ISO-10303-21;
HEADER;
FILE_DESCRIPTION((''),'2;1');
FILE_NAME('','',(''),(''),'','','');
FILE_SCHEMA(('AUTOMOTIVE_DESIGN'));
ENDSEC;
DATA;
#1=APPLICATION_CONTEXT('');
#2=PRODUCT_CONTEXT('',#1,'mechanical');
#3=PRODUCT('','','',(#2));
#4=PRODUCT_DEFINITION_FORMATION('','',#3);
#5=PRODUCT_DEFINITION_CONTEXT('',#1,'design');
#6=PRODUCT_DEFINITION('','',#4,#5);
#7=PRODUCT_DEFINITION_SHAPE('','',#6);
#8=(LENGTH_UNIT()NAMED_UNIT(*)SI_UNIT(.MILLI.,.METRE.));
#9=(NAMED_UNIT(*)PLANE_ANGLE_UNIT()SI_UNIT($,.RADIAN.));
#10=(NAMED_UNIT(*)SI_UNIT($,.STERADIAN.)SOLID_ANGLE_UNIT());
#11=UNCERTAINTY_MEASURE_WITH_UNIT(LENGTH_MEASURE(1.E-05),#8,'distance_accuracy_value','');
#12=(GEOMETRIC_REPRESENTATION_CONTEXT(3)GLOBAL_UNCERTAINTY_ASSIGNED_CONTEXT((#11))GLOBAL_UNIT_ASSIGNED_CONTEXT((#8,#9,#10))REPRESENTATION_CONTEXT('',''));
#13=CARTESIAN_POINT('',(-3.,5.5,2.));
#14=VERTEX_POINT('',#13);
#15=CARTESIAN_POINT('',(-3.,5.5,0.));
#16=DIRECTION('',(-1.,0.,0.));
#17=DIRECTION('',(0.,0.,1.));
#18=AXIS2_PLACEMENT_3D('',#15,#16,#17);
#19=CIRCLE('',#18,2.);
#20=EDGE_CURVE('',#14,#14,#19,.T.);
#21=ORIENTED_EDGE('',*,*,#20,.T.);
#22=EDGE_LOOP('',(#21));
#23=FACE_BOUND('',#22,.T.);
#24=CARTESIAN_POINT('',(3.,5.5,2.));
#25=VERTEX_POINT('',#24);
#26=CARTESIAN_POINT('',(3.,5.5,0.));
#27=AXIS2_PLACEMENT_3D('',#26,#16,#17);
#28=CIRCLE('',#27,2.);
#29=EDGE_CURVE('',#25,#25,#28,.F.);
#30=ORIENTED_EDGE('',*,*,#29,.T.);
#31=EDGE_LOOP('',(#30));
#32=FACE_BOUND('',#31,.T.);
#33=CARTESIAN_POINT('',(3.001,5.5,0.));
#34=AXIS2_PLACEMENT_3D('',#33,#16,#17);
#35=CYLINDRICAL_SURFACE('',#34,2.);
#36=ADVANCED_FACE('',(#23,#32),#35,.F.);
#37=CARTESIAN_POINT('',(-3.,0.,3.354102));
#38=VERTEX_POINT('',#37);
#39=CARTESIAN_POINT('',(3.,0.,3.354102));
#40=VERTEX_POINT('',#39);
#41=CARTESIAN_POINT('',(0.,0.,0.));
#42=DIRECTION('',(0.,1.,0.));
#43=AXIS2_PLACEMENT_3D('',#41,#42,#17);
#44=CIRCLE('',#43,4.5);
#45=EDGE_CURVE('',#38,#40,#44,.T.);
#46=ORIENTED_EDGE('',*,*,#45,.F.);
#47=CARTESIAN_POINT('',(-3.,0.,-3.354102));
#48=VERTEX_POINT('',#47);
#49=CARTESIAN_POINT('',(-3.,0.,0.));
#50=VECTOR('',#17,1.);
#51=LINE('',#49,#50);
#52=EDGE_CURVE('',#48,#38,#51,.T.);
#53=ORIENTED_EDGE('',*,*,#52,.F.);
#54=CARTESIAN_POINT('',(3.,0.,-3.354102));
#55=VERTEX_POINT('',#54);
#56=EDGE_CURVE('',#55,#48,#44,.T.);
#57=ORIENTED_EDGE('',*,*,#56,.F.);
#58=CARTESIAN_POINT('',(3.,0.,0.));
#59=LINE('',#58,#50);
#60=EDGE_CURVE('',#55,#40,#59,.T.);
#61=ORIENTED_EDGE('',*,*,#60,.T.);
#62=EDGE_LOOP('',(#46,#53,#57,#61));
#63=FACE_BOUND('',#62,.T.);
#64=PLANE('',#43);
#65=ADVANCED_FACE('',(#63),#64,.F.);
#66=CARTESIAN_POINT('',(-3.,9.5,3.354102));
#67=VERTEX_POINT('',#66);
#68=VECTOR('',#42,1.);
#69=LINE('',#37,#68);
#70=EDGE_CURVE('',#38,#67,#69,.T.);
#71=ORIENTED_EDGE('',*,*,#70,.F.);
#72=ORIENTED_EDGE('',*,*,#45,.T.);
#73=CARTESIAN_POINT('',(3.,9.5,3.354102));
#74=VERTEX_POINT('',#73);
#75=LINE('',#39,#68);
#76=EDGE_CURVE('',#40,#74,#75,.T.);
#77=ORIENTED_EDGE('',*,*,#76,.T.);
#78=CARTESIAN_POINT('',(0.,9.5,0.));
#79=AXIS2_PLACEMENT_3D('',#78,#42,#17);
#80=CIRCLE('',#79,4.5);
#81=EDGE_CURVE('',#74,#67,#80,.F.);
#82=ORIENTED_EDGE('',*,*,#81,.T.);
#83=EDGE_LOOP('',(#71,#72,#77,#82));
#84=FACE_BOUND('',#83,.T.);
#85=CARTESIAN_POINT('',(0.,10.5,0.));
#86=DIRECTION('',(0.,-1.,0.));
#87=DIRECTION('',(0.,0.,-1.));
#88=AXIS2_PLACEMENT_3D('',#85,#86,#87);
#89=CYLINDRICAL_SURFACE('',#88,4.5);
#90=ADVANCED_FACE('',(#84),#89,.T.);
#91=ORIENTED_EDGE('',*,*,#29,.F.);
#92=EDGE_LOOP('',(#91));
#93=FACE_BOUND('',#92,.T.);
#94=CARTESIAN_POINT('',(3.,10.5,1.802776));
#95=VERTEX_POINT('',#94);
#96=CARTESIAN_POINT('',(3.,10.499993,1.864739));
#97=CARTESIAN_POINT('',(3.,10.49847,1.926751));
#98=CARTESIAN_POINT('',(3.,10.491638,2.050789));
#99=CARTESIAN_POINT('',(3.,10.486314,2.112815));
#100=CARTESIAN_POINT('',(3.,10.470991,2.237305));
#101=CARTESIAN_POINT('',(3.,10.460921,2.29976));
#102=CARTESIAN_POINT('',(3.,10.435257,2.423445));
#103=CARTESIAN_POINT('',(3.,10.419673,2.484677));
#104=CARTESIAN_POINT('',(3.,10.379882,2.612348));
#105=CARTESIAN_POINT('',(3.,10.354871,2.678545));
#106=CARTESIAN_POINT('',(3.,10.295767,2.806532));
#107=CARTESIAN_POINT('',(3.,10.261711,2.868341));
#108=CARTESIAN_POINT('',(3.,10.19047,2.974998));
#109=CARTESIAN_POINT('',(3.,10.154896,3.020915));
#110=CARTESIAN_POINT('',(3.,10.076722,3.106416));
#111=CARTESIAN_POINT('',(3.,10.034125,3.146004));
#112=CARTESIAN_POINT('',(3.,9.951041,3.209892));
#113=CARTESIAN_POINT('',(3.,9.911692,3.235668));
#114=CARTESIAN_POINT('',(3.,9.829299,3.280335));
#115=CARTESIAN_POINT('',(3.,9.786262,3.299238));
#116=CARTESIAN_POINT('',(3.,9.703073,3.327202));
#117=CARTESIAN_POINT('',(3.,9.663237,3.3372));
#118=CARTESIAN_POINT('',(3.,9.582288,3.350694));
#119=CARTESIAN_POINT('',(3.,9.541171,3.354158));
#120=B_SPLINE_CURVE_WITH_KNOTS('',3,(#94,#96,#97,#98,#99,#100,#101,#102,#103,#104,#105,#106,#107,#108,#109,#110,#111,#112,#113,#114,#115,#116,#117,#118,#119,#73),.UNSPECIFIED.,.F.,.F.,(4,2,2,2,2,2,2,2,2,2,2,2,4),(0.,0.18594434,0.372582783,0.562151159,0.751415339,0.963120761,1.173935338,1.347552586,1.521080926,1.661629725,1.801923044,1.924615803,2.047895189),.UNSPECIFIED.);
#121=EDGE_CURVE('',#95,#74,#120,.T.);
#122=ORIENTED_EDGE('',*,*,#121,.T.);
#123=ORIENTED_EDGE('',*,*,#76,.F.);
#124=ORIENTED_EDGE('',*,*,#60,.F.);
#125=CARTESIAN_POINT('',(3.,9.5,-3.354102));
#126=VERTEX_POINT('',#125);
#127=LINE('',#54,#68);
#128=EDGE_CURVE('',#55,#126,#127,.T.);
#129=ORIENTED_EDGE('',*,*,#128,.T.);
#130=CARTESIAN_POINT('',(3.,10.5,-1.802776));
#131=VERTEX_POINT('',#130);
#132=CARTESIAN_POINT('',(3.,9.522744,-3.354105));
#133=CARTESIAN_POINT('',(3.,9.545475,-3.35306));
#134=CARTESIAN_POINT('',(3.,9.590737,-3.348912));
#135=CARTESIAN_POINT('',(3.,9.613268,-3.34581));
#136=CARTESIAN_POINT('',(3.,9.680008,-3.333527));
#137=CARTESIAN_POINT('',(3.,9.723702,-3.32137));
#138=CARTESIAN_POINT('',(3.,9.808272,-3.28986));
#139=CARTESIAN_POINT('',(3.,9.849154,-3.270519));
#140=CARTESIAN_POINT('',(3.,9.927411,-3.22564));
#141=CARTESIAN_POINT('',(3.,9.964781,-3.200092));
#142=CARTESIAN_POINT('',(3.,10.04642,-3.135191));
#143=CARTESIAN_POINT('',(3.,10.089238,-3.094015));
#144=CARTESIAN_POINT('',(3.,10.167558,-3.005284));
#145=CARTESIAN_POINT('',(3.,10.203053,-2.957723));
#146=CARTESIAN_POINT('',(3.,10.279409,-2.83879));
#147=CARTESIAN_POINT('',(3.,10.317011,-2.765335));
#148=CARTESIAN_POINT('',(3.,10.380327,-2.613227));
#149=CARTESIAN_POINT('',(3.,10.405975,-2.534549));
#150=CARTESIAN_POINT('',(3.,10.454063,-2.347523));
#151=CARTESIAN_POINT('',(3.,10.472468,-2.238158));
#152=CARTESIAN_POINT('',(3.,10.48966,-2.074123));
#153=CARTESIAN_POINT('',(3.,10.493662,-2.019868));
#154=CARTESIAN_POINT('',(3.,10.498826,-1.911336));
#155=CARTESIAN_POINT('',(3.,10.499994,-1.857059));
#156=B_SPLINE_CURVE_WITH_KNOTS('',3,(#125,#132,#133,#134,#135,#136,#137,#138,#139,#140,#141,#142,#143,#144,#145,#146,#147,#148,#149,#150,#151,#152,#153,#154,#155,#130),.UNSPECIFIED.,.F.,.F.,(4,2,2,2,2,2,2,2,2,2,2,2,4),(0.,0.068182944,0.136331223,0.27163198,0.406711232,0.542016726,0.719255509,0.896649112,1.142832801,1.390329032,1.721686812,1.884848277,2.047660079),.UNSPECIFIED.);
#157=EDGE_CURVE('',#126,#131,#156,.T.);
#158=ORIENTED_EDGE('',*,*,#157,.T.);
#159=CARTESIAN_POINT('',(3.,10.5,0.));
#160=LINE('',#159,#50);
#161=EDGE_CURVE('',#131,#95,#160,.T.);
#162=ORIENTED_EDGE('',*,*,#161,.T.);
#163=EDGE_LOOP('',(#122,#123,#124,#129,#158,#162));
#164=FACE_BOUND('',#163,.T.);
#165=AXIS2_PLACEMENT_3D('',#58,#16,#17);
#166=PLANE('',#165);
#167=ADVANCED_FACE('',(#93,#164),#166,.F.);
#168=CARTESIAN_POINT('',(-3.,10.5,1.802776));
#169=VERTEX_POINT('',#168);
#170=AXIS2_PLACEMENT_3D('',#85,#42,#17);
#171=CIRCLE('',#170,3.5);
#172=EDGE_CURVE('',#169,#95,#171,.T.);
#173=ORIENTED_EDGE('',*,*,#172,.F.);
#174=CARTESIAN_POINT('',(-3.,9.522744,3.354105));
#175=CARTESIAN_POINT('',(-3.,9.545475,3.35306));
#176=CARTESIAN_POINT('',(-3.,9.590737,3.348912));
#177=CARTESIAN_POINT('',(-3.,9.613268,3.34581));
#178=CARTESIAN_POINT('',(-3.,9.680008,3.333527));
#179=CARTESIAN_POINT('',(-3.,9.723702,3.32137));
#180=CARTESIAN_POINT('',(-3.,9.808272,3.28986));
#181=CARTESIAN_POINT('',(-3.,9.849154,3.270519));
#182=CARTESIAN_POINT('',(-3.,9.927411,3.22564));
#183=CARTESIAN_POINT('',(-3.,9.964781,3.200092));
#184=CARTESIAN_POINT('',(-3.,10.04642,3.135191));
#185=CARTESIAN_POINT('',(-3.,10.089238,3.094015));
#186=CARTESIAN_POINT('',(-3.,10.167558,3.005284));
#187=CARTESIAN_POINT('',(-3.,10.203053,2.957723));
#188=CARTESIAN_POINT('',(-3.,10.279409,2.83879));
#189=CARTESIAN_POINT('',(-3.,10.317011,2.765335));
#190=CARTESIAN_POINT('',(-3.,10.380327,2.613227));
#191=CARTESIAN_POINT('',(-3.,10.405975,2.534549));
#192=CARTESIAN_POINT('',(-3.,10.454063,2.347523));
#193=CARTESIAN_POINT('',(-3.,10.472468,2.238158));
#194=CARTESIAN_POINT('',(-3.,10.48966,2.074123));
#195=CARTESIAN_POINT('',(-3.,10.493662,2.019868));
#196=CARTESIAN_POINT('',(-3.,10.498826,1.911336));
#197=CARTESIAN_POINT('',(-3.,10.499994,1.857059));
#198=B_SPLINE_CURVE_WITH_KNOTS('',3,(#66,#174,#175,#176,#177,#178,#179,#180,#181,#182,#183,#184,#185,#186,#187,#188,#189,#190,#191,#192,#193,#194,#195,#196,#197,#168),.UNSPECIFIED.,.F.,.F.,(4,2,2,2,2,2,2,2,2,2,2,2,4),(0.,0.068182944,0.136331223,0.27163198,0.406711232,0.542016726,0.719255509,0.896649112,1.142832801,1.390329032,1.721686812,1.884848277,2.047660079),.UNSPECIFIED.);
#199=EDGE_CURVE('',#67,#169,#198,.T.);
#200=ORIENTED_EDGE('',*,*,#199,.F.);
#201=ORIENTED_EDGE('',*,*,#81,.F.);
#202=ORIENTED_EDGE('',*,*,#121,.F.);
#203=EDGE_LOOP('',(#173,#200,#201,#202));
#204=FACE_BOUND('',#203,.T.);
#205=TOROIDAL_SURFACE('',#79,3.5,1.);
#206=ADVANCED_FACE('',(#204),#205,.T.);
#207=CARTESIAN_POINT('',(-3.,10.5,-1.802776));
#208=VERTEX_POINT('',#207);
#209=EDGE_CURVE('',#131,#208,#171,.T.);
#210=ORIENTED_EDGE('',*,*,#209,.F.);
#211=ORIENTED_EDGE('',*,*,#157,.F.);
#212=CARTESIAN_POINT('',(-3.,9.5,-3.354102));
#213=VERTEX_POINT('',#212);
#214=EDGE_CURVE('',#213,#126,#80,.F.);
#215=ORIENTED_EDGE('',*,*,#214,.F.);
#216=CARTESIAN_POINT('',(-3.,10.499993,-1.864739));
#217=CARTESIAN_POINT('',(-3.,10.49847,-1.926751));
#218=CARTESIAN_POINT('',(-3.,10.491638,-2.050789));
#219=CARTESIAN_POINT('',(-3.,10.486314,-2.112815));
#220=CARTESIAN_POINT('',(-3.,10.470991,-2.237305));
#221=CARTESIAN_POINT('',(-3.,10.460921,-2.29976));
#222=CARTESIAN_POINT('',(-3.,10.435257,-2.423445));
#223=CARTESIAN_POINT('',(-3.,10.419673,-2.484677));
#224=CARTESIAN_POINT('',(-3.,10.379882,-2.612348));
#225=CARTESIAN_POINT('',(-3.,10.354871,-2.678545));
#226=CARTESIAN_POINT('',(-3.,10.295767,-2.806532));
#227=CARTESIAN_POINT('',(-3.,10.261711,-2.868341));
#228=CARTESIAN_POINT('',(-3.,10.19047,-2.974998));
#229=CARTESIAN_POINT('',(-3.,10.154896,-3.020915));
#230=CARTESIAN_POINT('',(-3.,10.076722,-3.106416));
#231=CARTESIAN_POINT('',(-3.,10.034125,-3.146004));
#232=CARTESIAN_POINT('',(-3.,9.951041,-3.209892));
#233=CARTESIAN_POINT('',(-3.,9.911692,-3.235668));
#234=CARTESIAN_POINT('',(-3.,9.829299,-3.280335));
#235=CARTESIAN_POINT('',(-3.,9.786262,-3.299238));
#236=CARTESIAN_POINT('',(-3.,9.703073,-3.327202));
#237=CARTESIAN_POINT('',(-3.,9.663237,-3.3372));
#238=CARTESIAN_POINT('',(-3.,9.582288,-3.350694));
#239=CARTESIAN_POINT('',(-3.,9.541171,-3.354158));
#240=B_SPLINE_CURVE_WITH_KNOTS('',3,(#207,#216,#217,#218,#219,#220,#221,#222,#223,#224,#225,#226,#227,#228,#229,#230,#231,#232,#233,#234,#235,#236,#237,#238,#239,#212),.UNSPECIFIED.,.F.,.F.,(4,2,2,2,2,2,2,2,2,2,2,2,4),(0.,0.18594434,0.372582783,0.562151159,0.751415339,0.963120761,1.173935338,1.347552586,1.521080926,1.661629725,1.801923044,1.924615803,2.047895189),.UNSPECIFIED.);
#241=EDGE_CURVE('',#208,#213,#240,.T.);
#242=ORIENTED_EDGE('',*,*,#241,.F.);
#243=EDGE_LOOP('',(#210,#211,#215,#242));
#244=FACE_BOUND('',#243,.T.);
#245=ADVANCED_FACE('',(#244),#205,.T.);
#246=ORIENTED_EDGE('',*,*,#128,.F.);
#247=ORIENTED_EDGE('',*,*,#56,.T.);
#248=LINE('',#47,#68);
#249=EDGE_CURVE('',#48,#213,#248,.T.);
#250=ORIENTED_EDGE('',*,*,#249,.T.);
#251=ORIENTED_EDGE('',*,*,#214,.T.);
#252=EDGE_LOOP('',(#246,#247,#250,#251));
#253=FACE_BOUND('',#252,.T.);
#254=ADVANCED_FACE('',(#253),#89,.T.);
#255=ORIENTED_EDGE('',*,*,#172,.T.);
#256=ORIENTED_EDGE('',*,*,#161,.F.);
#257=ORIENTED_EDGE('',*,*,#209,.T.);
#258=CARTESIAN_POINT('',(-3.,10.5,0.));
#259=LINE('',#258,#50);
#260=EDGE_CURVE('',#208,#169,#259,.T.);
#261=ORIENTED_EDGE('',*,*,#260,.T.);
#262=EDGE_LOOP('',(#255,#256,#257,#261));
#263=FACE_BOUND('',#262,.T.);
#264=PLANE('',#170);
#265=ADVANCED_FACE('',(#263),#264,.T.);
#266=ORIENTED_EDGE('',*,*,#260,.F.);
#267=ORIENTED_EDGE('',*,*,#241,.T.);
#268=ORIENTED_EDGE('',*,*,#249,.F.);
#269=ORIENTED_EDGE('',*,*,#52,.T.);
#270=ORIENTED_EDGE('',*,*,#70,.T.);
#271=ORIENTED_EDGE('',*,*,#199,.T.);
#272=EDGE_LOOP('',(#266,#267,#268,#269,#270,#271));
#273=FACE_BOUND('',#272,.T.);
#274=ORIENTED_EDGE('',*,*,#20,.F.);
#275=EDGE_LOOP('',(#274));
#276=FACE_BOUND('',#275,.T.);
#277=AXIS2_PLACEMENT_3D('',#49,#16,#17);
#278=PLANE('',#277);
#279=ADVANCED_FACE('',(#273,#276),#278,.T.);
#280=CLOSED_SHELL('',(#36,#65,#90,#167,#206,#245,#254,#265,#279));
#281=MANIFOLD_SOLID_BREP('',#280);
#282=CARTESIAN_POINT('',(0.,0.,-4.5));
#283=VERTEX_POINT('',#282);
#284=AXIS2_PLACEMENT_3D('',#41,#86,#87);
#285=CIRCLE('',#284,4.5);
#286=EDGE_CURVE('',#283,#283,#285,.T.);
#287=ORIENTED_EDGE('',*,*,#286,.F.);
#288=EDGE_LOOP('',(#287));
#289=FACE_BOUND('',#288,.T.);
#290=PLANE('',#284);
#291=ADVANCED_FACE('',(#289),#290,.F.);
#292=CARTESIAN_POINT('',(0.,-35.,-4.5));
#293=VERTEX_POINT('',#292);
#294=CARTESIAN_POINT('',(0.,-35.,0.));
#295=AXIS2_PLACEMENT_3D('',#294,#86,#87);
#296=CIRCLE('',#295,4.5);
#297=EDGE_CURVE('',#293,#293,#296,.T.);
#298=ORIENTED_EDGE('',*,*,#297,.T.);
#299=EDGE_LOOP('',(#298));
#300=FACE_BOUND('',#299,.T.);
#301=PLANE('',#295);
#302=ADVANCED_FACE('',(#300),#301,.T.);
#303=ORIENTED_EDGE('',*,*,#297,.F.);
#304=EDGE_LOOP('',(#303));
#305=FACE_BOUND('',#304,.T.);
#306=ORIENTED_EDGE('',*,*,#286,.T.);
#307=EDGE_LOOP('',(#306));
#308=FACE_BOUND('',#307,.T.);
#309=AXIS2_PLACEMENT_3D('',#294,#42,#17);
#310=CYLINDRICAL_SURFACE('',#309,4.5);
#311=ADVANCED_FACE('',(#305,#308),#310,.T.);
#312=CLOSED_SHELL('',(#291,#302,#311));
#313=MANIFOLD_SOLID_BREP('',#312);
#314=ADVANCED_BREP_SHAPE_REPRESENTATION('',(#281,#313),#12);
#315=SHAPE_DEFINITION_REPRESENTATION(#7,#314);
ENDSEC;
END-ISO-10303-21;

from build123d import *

# Parameters (mm, degrees)
SKETCH_1_R          = 4.5
EXTRUDE_1_DEPTH     = 10.5
CUT_EXTRUDE_START   = -10.5
CUT_EXTRUDE_1_DEPTH = 10.5
CUT_EXTRUDE_2_REACH = 14.903
SKETCH_3_R          = 2
SKETCH_4_R          = 4.5
EXTRUDE_2_DEPTH     = 35
FILLET_1_R          = 1


with BuildPart() as part:
    # 草图1 → 凸台-拉伸1 (new body)
    with BuildSketch(Plane(origin=(0, 0, 0), x_dir=(1, 0, 0), z_dir=(0, 1, 0))):
        with Locations(Location((0, 0, 0), (0, 0, 90))):
            Circle(SKETCH_1_R)
    extrude(amount=EXTRUDE_1_DEPTH)

    # 草图2 → 切除-拉伸1 (cut)
    with BuildSketch(Plane(origin=(0, 10.5, 0), x_dir=(1, 0, 0), z_dir=(0, 1, 0)).offset(CUT_EXTRUDE_START)):
        with BuildLine():
            Line((-3, -3.354101966), (-3, 3.354101966))
            ThreePointArc((-3, 3.354101966), (-4.5, 0), (-3, -3.354101966))
        make_face()
        with BuildLine():
            ThreePointArc((4.5, 0), (4.107919181, 1.837117307), (3, 3.354101966))
            Line((3, 3.354101966), (3, -3.354101966))
            ThreePointArc((3, -3.354101966), (4.107919181, -1.837117307), (4.5, 0))
        make_face()
    extrude(amount=CUT_EXTRUDE_1_DEPTH, mode=Mode.SUBTRACT)

    # 草图3 → 切除-拉伸2 (cut, up to next)
    with BuildSketch(Plane.ZY.offset(3), mode=Mode.PRIVATE) as cut_extrude_2_sk1:
        with Locations((0, 5.5)):
            Circle(SKETCH_3_R)
    cut_extrude_2_tool1 = extrude(cut_extrude_2_sk1.sketch, amount=-CUT_EXTRUDE_2_REACH, mode=Mode.PRIVATE) & part.part
    add(cut_extrude_2_tool1.solids().sort_by_distance((-3, 5.5, 0))[0], mode=Mode.SUBTRACT)

    # 圆角1
    fillet_1_edges = [part.edges().sort_by_distance(p)[0] for p in [
        (0, 10.5, -4.5),
        (0, 10.5, 4.5),
    ]]
    fillet(fillet_1_edges, radius=FILLET_1_R)


with BuildPart() as body_2:
    # 草图4 → 凸台-拉伸2 (new body)
    with BuildSketch(Plane.XZ):
        with Locations(Location((0, 0, 0), (0, 0, 270))):
            Circle(SKETCH_4_R)
    extrude(amount=EXTRUDE_2_DEPTH)


solid = Compound([part.part, body_2.part])
